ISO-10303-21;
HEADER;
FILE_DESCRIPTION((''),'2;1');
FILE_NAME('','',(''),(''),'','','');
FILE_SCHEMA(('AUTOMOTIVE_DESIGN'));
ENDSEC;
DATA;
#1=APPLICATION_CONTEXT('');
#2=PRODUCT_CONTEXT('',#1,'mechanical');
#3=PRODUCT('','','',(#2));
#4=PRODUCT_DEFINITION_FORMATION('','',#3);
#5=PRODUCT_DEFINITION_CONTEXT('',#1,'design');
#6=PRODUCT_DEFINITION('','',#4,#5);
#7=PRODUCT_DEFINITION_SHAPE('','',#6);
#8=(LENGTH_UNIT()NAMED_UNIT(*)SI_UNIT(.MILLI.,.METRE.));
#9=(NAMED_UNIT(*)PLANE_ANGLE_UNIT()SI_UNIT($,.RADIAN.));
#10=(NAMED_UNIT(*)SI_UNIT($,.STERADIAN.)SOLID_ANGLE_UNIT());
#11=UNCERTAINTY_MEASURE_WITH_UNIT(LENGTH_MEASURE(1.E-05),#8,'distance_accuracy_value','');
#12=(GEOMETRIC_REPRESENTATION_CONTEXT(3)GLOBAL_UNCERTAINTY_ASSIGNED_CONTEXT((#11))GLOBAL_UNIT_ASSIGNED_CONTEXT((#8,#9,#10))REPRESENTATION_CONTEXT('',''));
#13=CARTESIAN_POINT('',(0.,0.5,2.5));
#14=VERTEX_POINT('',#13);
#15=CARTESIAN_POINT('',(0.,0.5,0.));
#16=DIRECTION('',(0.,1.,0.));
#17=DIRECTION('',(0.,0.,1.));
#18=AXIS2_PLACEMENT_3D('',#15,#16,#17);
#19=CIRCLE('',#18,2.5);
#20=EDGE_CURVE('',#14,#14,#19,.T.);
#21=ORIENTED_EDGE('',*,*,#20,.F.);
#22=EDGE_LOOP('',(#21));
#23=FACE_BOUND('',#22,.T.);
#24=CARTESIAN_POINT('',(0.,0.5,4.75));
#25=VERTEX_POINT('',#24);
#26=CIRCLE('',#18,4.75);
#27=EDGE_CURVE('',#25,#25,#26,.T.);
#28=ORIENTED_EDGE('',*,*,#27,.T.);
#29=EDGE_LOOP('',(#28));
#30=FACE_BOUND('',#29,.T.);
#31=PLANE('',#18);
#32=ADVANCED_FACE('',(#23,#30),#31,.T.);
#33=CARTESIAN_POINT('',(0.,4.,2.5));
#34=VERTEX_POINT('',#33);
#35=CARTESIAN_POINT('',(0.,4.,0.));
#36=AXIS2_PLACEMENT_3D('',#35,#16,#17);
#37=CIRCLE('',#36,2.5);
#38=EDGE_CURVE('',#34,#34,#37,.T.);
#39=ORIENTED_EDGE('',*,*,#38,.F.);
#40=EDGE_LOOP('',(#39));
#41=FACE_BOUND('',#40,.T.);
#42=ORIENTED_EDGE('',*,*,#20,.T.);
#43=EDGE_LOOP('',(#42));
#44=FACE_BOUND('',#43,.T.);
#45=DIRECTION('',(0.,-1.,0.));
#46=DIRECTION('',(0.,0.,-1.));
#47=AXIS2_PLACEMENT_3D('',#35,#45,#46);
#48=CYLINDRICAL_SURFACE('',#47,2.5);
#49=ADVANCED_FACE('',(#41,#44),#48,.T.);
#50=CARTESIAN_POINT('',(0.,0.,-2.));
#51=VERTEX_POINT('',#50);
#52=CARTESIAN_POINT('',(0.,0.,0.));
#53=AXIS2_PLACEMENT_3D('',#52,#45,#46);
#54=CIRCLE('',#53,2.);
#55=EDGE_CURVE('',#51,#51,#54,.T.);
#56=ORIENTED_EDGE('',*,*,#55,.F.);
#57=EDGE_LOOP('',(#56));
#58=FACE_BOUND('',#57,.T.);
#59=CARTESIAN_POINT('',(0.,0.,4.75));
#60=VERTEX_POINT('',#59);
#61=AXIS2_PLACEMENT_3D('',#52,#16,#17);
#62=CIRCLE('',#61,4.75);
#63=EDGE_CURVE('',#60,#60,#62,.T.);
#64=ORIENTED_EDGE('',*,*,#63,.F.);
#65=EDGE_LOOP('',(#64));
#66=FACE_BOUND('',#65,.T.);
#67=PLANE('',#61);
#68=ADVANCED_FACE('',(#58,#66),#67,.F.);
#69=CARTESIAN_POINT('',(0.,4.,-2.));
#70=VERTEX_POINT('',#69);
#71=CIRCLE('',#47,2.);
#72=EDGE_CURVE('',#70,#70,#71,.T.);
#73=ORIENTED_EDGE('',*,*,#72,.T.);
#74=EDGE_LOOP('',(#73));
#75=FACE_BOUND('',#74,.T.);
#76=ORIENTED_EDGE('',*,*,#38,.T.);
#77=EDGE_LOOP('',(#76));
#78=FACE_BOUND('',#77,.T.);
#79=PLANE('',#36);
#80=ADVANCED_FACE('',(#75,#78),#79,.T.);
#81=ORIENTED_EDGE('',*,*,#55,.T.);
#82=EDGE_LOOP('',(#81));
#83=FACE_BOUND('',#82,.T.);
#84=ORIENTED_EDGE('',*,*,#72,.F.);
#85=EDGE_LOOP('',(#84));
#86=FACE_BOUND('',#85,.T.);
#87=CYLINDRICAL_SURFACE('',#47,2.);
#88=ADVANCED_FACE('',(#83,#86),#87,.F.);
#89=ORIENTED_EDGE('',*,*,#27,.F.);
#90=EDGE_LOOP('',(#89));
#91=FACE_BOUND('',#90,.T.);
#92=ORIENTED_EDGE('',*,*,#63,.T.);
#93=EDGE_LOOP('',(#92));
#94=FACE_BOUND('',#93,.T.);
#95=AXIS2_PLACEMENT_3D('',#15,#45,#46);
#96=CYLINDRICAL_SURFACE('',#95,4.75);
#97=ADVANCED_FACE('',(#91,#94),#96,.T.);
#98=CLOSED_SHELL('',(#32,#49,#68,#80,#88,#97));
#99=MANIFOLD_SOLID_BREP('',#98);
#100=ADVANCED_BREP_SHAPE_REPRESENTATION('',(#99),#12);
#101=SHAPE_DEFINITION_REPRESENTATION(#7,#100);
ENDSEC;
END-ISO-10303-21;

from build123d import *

# Parameters (mm, degrees)
SKETCH_1_R          = 4.75
EXTRUDE_1_DEPTH     = 0.5
SKETCH_2_R          = 2.5
EXTRUDE_2_DEPTH     = 3.5
SKETCH_3_R          = 2
CUT_EXTRUDE_1_DEPTH = 8.818247886


with BuildPart() as part:
    # 草图1 → 凸台-拉伸1 (new body)
    with BuildSketch(Plane(origin=(0, 0, 0), x_dir=(1, 0, 0), z_dir=(0, 1, 0))):
        Circle(SKETCH_1_R)
    extrude(amount=EXTRUDE_1_DEPTH)

    # 草图2 → 凸台-拉伸2 (add)
    with BuildSketch(Plane(origin=(0, 0.5, 0), x_dir=(1, 0, 0), z_dir=(0, 1, 0))):
        Circle(SKETCH_2_R)
    extrude(amount=EXTRUDE_2_DEPTH)

    # 草图3 → 切除-拉伸1 (cut, through all)
    with BuildSketch(Plane.XZ):
        Circle(SKETCH_3_R)
    extrude(amount=-CUT_EXTRUDE_1_DEPTH, mode=Mode.SUBTRACT)


solid = part.part
